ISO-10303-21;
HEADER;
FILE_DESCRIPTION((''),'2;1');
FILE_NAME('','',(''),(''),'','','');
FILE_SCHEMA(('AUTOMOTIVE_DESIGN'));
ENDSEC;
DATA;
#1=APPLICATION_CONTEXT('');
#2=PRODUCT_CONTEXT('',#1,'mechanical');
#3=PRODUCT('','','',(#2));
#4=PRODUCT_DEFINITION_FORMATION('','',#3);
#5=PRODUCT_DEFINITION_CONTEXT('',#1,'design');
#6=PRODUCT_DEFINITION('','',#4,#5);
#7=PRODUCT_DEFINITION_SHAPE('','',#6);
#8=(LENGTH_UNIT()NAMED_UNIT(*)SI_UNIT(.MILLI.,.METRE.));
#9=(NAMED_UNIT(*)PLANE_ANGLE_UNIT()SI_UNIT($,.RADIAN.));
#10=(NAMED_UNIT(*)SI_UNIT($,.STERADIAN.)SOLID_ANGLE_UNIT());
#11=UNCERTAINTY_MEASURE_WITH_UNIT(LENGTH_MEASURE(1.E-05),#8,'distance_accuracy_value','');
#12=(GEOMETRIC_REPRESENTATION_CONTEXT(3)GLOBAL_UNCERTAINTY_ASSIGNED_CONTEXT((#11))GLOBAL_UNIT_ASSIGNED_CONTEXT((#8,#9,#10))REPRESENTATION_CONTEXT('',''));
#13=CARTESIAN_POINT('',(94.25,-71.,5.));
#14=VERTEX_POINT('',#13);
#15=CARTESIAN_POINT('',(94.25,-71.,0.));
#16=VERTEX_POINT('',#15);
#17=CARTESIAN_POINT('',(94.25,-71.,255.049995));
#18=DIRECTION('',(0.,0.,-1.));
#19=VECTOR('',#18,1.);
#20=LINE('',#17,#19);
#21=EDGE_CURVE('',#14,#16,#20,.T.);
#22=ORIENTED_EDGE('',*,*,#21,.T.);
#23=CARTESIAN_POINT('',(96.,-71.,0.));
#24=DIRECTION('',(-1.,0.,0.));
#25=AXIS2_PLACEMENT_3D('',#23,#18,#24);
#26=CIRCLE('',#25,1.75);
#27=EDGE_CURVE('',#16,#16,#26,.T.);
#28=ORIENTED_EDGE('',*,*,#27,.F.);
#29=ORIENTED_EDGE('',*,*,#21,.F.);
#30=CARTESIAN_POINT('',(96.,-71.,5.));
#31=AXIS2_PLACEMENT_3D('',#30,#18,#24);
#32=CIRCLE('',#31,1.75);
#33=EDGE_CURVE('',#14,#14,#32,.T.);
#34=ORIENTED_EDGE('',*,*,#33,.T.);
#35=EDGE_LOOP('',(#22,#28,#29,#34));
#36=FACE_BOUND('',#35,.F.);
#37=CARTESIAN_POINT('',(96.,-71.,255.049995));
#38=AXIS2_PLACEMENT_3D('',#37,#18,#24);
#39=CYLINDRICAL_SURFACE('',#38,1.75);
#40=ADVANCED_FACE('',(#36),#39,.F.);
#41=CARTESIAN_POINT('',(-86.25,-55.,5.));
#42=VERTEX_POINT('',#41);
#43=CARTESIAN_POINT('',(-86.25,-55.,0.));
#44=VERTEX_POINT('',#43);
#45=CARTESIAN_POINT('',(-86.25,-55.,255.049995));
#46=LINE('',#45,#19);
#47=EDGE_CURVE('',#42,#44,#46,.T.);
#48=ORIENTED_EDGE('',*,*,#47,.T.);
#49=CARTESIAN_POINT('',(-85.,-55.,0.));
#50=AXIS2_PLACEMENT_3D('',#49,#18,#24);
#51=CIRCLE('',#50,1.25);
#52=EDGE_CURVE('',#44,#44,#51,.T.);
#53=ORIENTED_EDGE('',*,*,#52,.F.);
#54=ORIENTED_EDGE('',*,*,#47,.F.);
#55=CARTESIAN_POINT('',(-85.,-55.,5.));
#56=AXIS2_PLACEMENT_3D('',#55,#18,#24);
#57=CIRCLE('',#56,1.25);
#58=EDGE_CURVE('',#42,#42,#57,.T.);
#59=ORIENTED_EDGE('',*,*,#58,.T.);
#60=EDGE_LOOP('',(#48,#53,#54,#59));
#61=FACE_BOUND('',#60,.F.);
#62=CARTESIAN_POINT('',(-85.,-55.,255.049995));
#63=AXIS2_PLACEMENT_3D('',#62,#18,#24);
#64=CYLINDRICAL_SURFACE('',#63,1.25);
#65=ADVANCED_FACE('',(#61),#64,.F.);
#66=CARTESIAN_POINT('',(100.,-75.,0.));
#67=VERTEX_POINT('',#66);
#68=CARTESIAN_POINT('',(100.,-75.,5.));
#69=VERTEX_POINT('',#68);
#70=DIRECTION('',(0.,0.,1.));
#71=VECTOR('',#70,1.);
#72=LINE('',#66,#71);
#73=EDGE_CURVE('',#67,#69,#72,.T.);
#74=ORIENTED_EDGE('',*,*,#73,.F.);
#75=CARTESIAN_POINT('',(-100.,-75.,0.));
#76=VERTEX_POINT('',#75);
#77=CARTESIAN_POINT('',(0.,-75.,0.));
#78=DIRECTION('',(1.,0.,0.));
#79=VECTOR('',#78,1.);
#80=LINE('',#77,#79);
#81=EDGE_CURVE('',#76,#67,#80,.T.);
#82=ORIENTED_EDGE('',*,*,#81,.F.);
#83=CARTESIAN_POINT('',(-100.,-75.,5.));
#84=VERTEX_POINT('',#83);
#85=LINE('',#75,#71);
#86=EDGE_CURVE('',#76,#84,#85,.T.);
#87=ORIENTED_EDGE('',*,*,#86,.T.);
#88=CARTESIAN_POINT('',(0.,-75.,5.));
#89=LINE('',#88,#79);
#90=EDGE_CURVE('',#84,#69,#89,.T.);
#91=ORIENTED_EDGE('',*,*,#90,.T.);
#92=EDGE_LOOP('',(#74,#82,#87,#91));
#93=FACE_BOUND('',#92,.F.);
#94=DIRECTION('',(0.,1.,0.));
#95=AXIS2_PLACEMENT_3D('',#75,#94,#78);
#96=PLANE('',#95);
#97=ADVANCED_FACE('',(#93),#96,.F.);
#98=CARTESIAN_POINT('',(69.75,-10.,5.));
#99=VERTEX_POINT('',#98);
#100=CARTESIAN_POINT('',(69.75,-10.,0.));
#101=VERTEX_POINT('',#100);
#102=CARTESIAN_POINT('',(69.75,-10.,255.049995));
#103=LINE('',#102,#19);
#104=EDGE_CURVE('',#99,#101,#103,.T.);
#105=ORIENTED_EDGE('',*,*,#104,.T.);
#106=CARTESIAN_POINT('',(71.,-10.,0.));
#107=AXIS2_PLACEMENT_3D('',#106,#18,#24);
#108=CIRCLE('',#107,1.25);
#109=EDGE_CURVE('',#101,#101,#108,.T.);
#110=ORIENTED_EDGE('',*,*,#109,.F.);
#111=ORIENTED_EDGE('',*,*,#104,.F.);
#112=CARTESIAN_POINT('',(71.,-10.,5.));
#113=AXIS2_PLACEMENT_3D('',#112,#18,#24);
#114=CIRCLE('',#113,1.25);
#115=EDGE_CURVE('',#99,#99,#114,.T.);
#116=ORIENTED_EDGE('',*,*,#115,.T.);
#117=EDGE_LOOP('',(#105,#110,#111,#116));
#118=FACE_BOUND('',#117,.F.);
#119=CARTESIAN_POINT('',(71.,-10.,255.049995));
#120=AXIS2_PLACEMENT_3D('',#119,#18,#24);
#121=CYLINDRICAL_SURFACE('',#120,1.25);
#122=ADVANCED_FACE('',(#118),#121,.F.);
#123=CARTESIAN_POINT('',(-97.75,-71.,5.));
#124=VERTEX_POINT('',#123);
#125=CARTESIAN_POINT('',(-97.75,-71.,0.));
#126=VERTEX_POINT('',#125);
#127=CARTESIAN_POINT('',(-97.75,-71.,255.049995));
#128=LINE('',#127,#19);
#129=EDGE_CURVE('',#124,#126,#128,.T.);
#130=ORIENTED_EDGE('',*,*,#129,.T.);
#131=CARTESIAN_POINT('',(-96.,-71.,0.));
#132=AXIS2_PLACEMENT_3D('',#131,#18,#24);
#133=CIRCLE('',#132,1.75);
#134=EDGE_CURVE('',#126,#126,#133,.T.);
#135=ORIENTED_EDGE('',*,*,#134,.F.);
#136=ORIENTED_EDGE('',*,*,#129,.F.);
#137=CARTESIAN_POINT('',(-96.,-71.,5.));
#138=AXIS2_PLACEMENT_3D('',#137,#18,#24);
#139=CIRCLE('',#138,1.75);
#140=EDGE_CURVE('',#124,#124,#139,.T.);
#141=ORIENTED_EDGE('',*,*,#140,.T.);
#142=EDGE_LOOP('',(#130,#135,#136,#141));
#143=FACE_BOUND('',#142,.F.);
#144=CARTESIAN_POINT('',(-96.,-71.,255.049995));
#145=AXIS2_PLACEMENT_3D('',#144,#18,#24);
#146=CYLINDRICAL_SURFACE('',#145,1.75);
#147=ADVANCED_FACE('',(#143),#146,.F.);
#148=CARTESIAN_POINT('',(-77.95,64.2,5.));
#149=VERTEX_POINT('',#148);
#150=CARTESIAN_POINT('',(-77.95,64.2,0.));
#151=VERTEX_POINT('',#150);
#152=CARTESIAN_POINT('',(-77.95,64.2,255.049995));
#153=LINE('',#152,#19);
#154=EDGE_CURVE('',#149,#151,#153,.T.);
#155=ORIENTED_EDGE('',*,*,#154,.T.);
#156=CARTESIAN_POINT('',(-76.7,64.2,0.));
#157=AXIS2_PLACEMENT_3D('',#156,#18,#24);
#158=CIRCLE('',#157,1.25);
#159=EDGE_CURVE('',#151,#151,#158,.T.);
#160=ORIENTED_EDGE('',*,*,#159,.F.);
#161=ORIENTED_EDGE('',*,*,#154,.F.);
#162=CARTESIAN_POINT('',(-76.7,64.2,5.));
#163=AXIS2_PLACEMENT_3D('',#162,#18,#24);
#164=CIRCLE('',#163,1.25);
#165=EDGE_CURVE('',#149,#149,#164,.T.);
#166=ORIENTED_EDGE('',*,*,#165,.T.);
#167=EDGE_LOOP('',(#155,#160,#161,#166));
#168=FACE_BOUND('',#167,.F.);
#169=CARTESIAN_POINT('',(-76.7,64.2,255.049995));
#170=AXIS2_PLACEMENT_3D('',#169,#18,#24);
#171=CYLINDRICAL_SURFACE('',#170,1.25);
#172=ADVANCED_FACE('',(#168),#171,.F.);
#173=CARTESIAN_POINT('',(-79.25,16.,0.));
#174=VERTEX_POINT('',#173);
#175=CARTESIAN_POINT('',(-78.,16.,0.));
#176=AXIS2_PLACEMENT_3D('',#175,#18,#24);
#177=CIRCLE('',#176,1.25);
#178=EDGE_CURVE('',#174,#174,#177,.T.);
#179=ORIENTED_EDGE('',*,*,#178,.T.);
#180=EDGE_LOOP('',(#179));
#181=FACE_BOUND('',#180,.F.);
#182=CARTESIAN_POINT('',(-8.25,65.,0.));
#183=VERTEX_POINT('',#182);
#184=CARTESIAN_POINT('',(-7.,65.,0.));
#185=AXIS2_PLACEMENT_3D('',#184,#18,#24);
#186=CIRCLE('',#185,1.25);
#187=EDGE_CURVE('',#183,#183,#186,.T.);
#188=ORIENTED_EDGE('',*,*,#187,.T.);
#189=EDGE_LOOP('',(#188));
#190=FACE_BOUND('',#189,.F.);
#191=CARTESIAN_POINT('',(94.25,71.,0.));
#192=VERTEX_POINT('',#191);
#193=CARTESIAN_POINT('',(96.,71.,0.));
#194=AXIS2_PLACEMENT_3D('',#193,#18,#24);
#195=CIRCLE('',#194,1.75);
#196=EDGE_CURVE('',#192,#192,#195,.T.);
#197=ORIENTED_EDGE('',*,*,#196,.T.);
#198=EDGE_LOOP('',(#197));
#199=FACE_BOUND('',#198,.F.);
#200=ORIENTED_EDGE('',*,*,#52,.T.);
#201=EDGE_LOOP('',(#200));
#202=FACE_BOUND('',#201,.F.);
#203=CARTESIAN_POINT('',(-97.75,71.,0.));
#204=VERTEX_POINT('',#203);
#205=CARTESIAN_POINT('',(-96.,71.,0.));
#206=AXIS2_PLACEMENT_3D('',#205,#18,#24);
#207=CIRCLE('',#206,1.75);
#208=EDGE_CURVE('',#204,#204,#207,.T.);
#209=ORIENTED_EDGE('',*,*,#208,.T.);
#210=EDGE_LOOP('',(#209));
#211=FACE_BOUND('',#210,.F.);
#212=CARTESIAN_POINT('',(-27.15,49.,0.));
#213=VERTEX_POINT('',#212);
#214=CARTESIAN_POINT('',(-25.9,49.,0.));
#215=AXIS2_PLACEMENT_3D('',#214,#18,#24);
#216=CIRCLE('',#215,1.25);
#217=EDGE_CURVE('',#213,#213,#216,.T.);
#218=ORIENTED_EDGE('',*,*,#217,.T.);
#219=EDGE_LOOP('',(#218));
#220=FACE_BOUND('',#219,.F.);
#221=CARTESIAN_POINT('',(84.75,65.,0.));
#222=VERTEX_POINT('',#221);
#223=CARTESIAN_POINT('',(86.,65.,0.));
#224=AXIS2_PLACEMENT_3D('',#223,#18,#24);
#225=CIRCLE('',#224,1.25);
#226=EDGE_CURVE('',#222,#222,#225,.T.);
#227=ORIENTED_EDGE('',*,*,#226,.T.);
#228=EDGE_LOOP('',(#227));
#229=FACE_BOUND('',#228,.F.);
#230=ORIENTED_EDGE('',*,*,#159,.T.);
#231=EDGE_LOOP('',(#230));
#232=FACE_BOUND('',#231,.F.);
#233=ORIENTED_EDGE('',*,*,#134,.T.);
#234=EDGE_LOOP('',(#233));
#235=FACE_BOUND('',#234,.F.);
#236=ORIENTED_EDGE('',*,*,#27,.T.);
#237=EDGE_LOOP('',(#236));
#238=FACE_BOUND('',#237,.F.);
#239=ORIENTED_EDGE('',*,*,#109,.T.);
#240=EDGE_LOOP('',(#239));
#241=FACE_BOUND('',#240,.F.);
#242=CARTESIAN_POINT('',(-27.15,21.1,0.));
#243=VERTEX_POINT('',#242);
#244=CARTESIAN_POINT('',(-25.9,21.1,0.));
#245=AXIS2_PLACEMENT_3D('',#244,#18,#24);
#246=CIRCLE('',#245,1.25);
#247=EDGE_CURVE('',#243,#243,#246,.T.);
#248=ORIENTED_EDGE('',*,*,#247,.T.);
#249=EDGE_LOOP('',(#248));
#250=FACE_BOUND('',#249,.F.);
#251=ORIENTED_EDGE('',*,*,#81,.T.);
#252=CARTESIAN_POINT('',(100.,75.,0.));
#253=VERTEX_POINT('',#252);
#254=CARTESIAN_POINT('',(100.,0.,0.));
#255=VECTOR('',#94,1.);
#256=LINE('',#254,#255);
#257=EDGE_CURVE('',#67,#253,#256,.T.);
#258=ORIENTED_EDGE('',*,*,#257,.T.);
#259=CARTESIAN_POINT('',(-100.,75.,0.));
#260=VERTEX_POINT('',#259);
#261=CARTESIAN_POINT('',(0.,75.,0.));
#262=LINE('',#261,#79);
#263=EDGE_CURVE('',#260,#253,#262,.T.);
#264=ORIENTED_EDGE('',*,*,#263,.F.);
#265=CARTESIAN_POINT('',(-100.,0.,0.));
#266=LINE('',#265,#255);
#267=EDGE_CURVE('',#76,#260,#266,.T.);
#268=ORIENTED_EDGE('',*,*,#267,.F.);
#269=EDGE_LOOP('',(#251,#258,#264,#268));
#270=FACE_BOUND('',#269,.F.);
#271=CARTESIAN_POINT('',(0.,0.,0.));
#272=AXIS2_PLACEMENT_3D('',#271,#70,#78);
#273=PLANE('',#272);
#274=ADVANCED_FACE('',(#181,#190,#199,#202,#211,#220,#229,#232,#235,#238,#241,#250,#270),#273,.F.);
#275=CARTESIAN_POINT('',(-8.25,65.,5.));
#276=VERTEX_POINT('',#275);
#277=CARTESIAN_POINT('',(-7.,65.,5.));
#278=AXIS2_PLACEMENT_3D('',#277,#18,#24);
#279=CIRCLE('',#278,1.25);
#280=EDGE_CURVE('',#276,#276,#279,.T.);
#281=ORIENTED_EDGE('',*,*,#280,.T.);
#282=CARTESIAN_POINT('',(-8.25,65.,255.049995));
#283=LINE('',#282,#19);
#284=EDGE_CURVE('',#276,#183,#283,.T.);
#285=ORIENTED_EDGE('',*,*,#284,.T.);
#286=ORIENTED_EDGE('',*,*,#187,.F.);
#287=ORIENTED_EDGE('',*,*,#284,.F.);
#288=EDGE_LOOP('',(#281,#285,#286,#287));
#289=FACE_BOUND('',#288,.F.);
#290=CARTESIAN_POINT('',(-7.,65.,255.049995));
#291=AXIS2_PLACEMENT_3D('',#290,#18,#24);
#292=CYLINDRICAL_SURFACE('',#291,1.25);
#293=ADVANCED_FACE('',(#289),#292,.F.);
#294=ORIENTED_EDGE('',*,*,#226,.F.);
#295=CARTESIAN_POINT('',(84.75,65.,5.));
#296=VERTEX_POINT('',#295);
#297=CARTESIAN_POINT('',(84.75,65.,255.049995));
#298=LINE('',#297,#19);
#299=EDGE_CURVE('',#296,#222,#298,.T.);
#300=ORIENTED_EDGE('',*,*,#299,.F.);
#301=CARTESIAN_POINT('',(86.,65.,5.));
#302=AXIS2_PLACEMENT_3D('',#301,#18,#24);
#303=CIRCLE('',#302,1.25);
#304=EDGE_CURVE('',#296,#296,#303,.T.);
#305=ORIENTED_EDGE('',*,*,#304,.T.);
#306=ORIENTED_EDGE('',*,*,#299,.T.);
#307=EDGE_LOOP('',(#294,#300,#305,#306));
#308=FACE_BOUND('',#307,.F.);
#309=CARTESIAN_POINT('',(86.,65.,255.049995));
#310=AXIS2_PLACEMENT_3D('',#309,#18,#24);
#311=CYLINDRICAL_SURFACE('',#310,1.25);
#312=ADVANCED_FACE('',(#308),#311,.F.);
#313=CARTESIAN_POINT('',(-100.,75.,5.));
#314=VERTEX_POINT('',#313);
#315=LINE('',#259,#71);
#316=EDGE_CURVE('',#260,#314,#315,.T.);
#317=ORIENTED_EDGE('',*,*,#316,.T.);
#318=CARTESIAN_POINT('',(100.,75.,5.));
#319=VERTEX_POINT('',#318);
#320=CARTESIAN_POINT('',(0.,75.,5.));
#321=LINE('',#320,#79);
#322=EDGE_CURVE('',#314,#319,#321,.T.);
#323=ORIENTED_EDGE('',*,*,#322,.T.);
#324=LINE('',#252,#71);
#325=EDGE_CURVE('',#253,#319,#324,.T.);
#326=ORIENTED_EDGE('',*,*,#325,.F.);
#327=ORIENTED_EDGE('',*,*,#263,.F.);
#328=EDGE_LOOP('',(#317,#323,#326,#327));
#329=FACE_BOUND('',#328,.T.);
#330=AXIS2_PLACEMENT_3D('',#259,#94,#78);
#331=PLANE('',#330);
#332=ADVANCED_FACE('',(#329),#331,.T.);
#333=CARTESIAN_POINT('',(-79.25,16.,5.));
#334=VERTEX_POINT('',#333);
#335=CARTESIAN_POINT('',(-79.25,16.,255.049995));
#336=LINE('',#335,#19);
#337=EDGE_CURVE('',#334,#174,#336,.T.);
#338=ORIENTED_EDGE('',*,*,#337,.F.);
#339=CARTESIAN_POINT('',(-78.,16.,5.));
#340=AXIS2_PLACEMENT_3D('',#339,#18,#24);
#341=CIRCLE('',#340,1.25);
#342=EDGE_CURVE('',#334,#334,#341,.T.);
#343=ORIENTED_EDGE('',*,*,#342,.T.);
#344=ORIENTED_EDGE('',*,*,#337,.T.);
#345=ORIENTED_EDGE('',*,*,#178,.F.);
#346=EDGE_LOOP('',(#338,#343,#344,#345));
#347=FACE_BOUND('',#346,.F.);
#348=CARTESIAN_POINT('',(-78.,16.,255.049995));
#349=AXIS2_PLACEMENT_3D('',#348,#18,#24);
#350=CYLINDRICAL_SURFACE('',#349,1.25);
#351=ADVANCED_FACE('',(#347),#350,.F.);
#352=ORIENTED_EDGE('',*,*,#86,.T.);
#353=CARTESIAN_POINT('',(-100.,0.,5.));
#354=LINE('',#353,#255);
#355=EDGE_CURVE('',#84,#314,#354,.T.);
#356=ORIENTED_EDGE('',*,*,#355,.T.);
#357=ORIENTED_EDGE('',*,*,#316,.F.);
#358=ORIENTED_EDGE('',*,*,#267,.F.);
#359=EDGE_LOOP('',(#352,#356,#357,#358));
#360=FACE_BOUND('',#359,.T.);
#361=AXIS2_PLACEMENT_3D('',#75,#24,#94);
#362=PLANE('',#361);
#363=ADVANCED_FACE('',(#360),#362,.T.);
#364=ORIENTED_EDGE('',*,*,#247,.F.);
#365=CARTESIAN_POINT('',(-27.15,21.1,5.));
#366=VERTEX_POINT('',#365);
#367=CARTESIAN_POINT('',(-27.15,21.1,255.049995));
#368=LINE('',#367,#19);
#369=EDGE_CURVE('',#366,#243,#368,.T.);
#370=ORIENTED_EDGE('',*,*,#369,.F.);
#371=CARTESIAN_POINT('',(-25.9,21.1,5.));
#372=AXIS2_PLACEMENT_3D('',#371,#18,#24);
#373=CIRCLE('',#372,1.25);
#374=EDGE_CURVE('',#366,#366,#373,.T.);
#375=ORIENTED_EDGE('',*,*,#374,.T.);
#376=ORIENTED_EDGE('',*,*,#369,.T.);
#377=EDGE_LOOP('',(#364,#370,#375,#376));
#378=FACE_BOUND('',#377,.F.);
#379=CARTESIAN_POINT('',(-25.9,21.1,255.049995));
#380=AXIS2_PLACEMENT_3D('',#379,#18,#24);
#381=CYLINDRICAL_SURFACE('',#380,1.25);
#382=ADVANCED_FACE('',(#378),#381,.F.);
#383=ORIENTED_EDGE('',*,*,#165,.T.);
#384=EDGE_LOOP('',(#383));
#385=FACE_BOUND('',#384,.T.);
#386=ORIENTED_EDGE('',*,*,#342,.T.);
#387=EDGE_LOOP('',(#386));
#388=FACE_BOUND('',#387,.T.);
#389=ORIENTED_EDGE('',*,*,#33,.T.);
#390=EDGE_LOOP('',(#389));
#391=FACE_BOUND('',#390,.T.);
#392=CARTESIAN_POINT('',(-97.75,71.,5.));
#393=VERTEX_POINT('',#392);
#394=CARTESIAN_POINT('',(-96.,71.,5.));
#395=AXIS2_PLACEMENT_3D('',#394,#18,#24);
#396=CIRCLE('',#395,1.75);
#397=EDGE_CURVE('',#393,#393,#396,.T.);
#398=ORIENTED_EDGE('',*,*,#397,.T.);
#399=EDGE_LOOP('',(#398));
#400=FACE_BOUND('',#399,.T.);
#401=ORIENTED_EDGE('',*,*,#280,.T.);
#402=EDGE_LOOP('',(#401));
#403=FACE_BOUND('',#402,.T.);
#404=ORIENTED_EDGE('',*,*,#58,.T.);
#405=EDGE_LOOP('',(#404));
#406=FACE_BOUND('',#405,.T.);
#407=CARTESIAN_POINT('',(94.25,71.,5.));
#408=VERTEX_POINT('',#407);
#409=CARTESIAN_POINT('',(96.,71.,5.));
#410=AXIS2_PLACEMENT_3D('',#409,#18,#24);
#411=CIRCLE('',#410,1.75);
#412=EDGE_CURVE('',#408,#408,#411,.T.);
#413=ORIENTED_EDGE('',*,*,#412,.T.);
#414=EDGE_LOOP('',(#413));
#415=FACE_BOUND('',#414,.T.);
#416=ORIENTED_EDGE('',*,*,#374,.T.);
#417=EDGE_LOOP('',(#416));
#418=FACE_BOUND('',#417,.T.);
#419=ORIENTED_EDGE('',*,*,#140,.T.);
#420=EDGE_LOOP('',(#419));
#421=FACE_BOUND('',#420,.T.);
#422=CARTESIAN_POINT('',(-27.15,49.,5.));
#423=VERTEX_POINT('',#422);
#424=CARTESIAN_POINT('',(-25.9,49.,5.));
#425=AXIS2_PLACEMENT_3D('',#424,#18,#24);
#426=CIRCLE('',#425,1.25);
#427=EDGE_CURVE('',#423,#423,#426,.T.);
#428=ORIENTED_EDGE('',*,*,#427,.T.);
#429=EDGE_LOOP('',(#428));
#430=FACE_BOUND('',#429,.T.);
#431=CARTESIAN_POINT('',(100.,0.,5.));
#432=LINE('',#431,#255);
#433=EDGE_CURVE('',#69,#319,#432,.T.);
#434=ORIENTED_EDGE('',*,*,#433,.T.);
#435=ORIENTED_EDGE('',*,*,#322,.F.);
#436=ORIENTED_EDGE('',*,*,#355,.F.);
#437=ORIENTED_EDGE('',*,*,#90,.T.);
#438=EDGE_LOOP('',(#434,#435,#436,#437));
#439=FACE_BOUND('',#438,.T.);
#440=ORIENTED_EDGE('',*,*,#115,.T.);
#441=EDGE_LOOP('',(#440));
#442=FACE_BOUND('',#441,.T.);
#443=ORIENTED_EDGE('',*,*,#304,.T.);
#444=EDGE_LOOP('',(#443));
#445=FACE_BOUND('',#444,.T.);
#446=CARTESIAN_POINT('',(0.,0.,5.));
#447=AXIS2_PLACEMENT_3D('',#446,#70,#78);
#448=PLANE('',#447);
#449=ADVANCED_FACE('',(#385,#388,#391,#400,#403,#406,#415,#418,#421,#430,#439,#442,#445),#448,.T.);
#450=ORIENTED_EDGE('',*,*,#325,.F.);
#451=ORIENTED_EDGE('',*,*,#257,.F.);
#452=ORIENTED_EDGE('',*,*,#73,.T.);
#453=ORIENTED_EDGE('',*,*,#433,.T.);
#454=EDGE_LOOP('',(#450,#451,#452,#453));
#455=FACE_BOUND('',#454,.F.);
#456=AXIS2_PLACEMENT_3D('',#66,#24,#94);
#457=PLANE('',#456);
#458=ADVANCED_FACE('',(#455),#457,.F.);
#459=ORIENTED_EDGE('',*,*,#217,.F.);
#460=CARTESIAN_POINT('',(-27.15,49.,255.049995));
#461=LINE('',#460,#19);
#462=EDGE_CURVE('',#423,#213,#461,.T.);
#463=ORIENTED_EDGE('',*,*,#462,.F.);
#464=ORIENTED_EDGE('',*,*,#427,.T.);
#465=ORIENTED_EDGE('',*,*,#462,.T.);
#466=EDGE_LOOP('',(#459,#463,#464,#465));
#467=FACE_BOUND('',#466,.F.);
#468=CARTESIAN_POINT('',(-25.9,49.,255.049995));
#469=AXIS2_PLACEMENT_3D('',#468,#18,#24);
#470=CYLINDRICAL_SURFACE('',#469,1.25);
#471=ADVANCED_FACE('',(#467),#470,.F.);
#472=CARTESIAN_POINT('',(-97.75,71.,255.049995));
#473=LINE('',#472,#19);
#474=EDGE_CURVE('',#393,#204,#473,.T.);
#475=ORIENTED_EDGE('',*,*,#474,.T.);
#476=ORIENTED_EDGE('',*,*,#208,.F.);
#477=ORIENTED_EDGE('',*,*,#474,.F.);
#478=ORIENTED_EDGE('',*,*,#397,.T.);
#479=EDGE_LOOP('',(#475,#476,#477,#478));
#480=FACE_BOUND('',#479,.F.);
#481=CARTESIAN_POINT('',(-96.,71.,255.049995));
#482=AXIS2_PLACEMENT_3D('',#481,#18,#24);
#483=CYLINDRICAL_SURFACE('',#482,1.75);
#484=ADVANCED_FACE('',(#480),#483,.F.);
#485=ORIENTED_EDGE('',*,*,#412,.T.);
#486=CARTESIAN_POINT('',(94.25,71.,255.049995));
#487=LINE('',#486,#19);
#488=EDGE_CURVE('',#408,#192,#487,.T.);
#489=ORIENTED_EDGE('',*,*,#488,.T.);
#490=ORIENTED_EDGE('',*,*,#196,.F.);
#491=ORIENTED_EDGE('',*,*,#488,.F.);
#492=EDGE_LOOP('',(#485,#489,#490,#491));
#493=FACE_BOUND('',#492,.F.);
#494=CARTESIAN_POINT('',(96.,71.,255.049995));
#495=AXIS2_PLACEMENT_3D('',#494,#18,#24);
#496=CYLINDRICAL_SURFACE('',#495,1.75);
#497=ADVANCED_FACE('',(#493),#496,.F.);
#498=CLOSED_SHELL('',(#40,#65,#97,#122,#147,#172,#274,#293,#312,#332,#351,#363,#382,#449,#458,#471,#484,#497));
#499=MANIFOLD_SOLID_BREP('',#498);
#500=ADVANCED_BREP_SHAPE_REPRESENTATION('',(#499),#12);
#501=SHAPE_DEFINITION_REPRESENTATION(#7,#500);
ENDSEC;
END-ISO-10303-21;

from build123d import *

# Parameters (mm, degrees)
F0_W     = 200
F0_H     = 150
F0_R     = 1.6
F1_DEPTH = 5
F3_D     = 2.5
F5_D     = 3.5


with BuildPart() as f1:
    # F0 (on Top) → F1 (new body)
    with BuildSketch(Plane.XY):
        Rectangle(F0_W, F0_H)
        with Locations((-96, -71)):
            Circle(F0_R, mode=Mode.SUBTRACT)
        with Locations((96, -71)):
            Circle(F0_R, mode=Mode.SUBTRACT)
        with Locations((-96, 71)):
            Circle(F0_R, mode=Mode.SUBTRACT)
        with Locations((96, 71)):
            Circle(F0_R, mode=Mode.SUBTRACT)
    extrude(amount=F1_DEPTH)

    # F3 (through all)
    with Locations(Plane.XY.offset(5)):
        with Locations((-76.7, 64.2), (-25.9, 49), (-25.9, 21.1), (-78, 16), (-85, -55), (71, -10), (-7, 65), (86, 65)):
            Hole(F3_D / 2)

    # F5 (through all)
    with Locations(Plane.XY.offset(5)):
        with Locations((-96, -71), (-96, 71), (96, 71), (96, -71)):
            Hole(F5_D / 2)


solid = f1.part
